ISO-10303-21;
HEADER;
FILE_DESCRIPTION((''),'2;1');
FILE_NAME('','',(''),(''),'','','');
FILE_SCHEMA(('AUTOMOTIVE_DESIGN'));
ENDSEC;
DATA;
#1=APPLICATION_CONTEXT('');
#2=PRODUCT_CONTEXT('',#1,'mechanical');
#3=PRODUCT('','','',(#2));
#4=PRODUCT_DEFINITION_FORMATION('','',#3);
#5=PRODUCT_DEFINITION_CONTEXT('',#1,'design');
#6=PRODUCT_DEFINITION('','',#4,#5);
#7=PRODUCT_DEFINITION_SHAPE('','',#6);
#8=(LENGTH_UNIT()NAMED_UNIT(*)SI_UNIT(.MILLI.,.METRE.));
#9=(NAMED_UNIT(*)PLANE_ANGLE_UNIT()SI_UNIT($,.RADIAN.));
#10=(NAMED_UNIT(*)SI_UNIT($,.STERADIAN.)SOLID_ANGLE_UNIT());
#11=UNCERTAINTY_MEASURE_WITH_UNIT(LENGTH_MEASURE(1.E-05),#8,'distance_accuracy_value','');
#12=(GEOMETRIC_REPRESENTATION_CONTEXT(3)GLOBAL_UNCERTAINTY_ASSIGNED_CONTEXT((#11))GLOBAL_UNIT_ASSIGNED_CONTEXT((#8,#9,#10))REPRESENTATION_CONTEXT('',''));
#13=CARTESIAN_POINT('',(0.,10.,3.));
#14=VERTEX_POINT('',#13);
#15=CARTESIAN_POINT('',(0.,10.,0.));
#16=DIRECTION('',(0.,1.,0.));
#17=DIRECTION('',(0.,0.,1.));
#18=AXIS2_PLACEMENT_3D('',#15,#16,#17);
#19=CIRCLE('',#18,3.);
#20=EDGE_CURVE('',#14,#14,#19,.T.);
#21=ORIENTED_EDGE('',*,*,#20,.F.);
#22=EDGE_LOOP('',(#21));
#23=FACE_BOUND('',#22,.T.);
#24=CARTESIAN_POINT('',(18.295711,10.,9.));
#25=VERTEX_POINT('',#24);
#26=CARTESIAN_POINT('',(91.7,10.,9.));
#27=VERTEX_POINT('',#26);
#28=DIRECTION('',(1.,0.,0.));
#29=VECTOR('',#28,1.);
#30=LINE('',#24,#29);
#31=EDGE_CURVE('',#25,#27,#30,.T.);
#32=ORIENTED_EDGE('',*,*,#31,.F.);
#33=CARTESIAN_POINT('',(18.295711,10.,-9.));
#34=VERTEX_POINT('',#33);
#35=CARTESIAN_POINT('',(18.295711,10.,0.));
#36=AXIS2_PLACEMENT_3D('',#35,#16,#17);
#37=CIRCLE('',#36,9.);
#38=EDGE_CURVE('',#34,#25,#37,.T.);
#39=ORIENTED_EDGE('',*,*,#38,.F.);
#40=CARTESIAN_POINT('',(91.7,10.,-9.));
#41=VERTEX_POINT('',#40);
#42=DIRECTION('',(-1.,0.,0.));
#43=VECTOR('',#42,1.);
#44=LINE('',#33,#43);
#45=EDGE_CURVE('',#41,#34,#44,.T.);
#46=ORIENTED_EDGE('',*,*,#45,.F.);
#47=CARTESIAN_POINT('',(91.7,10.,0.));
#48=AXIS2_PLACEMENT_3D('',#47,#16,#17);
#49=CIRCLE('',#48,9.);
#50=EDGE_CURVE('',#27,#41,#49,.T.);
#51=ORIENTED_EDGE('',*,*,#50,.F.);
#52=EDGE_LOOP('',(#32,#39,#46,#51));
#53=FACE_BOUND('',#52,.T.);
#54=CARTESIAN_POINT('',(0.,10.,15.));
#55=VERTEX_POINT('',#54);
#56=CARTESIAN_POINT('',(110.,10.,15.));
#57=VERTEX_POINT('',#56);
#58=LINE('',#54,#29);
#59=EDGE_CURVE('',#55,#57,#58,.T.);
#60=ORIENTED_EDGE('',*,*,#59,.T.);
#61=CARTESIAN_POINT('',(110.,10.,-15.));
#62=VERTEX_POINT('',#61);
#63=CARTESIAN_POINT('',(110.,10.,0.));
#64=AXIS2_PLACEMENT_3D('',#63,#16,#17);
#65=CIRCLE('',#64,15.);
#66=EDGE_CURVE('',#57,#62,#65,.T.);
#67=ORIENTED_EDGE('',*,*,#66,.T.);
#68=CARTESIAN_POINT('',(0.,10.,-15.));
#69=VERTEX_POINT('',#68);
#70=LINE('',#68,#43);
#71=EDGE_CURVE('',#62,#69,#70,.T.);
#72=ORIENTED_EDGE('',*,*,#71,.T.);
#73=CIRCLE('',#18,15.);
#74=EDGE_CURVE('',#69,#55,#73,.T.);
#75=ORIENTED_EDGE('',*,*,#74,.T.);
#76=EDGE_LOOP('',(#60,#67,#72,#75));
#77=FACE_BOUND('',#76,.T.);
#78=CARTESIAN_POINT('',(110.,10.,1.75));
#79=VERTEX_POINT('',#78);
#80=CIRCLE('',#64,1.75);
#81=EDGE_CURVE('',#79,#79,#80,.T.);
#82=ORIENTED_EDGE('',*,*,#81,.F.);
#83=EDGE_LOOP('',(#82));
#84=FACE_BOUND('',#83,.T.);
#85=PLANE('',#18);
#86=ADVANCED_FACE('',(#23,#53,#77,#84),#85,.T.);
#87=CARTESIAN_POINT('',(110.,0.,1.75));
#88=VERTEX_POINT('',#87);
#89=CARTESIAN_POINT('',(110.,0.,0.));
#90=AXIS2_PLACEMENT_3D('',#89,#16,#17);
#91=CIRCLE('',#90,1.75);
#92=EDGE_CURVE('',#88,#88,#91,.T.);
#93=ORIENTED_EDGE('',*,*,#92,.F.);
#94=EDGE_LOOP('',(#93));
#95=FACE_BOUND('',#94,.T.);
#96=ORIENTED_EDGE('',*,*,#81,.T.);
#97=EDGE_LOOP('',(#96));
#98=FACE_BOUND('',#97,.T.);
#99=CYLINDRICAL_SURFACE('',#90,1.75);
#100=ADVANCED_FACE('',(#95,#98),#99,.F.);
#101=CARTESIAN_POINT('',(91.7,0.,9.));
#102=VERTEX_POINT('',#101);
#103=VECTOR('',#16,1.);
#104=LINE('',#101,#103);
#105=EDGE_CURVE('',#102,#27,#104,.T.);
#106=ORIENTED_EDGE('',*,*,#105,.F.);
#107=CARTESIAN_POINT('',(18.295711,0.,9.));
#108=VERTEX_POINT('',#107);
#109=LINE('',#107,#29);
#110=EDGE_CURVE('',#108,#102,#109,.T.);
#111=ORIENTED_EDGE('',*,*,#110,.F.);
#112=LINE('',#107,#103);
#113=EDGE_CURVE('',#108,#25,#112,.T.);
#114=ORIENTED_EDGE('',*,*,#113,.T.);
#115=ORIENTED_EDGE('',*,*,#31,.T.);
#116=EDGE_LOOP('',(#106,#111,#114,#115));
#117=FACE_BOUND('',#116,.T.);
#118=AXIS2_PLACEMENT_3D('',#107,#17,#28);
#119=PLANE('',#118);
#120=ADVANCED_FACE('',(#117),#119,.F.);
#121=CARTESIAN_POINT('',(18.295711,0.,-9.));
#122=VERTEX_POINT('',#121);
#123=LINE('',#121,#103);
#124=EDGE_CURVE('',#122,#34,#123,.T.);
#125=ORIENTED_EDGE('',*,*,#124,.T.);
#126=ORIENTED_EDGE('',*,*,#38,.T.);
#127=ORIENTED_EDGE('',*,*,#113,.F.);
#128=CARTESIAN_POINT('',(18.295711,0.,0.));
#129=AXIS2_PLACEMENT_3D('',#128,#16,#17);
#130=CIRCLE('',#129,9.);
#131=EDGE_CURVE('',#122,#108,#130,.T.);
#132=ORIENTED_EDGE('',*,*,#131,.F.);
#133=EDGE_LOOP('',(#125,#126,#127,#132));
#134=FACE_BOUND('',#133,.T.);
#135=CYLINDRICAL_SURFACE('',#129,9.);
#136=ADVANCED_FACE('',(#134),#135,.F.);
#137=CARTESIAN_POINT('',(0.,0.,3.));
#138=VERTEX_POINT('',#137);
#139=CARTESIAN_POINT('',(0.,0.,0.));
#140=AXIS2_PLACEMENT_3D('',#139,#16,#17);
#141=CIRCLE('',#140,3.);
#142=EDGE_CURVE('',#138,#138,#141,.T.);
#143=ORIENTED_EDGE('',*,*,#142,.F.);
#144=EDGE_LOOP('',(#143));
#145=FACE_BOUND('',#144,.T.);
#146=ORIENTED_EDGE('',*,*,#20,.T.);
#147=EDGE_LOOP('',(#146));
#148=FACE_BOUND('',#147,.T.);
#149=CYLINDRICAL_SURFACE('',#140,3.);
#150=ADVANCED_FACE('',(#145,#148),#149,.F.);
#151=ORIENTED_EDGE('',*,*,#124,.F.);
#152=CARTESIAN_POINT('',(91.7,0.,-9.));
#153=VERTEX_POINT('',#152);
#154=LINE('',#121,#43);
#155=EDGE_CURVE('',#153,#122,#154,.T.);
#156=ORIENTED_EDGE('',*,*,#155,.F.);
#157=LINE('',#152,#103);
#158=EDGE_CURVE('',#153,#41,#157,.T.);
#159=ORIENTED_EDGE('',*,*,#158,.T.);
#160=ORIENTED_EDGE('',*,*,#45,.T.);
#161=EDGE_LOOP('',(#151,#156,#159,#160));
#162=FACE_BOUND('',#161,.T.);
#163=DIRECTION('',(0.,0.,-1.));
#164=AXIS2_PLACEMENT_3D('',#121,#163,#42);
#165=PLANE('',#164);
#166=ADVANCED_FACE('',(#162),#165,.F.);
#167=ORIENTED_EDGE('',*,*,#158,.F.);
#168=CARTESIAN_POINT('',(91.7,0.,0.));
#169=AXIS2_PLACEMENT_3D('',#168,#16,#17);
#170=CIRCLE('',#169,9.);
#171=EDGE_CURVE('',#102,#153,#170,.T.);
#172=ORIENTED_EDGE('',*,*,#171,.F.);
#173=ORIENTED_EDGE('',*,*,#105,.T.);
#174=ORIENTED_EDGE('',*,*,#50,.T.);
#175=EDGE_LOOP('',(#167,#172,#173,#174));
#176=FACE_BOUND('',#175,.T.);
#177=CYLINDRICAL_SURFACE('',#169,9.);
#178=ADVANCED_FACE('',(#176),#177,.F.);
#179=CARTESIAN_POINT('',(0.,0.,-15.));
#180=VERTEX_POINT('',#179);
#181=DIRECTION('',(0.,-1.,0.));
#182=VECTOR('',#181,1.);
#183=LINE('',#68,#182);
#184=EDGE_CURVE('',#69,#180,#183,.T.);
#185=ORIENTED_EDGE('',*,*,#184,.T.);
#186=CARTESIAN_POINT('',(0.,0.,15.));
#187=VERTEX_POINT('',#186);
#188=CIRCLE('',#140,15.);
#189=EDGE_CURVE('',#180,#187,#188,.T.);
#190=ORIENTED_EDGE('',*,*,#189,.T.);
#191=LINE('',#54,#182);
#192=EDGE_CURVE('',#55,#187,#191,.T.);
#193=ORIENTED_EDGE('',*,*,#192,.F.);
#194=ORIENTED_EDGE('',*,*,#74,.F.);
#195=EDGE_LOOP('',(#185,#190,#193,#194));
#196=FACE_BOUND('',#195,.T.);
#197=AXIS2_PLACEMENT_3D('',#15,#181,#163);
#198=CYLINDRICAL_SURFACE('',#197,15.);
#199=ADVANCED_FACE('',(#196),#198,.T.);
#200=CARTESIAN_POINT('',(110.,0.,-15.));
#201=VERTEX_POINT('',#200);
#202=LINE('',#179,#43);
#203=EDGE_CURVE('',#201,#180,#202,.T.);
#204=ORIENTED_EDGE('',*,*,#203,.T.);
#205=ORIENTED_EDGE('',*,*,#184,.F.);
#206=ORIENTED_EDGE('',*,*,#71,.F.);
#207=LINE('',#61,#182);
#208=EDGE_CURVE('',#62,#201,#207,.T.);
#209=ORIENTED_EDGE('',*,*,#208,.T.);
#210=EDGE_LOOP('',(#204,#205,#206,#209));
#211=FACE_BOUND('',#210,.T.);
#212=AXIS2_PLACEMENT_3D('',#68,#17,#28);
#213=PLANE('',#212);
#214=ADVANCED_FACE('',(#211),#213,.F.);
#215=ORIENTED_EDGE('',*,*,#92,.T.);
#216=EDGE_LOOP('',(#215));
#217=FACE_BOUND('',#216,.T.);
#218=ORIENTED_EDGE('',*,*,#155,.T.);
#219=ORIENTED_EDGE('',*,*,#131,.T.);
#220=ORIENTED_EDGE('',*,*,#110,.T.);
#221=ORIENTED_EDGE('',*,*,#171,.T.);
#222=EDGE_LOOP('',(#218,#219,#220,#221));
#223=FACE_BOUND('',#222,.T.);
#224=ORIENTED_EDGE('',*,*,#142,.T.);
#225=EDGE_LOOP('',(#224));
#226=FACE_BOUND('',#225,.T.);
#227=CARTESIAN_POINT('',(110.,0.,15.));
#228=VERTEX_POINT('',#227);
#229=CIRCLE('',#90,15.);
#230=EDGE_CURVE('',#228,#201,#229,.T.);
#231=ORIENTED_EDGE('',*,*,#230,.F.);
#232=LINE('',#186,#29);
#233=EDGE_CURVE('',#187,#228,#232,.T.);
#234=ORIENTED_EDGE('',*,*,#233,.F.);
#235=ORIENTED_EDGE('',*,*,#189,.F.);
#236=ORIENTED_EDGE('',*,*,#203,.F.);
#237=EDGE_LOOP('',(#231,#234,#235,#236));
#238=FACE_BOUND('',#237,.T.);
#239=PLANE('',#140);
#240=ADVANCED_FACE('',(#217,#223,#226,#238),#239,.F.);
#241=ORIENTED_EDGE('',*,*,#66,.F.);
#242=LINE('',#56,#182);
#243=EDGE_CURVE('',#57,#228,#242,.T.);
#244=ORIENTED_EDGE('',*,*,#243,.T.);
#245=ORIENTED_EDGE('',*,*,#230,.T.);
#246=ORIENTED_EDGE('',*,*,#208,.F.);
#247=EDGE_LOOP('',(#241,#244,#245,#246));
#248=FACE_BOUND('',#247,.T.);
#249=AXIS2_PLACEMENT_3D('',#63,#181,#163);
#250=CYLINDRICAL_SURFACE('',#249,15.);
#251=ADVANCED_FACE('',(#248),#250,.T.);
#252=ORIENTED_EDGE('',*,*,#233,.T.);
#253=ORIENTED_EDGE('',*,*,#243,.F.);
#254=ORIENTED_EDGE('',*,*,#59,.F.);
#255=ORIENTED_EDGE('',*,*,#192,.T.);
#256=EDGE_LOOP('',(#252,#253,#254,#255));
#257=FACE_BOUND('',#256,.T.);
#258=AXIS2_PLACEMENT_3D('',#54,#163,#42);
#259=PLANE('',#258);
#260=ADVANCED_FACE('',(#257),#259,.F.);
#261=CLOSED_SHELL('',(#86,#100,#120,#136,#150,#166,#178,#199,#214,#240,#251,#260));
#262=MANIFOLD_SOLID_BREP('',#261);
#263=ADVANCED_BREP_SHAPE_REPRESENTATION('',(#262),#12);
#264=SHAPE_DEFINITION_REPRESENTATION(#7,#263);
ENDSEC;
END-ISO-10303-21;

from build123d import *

# Parameters (mm, degrees)
SKETCH2_R           = 1.45
SKETCH2_R_2         = 1.5
BOSS_EXTRUDE1_DEPTH = 10
SKETCH3_R           = 2.925
CUT_EXTRUDE1_DEPTH  = 2
CUT_EXTRUDE2_DEPTH  = 10
SKETCH5_R           = 3
CUT_EXTRUDE3_DEPTH  = 10
SKETCH6_R           = 1.75
CUT_EXTRUDE4_DEPTH  = 10


with BuildPart() as part:
    # Sketch2 → Boss-Extrude1 (new body)
    with BuildSketch(Plane(origin=(0, 0, 0), x_dir=(1, 0, 0), z_dir=(0, 1, 0))):
        with BuildLine():
            Line((0, 15), (110, 15))
            ThreePointArc((110, 15), (125, 0), (110, -15))
            Line((110, -15), (0, -15))
            ThreePointArc((0, -15), (-15, 0), (0, 15))
        make_face()
        with Locations(Location((0, 0, 0), (0, 0, 270))):
            Circle(SKETCH2_R, mode=Mode.SUBTRACT)
        with Locations(Location((110, 0, 0), (0, 0, 270))):
            Circle(SKETCH2_R_2, mode=Mode.SUBTRACT)
    extrude(amount=BOSS_EXTRUDE1_DEPTH)

    # Sketch3 → Cut-Extrude1 (cut)
    with BuildSketch(Plane(origin=(0, 10, 0), x_dir=(1, 0, 0), z_dir=(0, 1, 0))):
        with Locations(Location((0, 0, 0), (0, 0, 270))):
            Circle(SKETCH3_R)
    extrude(amount=-CUT_EXTRUDE1_DEPTH, mode=Mode.SUBTRACT)

    # Sketch4 → Cut-Extrude2 (cut)
    with BuildSketch(Plane(origin=(0, 10, 0), x_dir=(1, 0, 0), z_dir=(0, 1, 0))):
        with BuildLine():
            Line((18.295710574, 9), (91.7, 9))
            ThreePointArc((91.7, 9), (100.7, 0), (91.7, -9))
            Line((91.7, -9), (18.295710574, -9))
            ThreePointArc((18.295710574, -9), (9.295710574, 0), (18.295710574, 9))
        make_face()
    extrude(amount=-CUT_EXTRUDE2_DEPTH, mode=Mode.SUBTRACT)

    # Sketch5 → Cut-Extrude3 (cut)
    with BuildSketch(Plane(origin=(0, 10, 0), x_dir=(1, 0, 0), z_dir=(0, 1, 0))):
        with Locations(Location((0, 0, 0), (0, 0, 270))):
            Circle(SKETCH5_R)
    extrude(amount=-CUT_EXTRUDE3_DEPTH, mode=Mode.SUBTRACT)

    # Sketch6 → Cut-Extrude4 (cut)
    with BuildSketch(Plane(origin=(0, 10, 0), x_dir=(1, 0, 0), z_dir=(0, 1, 0))):
        with Locations(Location((110, 0, 0), (0, 0, 270))):
            Circle(SKETCH6_R)
    extrude(amount=-CUT_EXTRUDE4_DEPTH, mode=Mode.SUBTRACT)


solid = part.part
